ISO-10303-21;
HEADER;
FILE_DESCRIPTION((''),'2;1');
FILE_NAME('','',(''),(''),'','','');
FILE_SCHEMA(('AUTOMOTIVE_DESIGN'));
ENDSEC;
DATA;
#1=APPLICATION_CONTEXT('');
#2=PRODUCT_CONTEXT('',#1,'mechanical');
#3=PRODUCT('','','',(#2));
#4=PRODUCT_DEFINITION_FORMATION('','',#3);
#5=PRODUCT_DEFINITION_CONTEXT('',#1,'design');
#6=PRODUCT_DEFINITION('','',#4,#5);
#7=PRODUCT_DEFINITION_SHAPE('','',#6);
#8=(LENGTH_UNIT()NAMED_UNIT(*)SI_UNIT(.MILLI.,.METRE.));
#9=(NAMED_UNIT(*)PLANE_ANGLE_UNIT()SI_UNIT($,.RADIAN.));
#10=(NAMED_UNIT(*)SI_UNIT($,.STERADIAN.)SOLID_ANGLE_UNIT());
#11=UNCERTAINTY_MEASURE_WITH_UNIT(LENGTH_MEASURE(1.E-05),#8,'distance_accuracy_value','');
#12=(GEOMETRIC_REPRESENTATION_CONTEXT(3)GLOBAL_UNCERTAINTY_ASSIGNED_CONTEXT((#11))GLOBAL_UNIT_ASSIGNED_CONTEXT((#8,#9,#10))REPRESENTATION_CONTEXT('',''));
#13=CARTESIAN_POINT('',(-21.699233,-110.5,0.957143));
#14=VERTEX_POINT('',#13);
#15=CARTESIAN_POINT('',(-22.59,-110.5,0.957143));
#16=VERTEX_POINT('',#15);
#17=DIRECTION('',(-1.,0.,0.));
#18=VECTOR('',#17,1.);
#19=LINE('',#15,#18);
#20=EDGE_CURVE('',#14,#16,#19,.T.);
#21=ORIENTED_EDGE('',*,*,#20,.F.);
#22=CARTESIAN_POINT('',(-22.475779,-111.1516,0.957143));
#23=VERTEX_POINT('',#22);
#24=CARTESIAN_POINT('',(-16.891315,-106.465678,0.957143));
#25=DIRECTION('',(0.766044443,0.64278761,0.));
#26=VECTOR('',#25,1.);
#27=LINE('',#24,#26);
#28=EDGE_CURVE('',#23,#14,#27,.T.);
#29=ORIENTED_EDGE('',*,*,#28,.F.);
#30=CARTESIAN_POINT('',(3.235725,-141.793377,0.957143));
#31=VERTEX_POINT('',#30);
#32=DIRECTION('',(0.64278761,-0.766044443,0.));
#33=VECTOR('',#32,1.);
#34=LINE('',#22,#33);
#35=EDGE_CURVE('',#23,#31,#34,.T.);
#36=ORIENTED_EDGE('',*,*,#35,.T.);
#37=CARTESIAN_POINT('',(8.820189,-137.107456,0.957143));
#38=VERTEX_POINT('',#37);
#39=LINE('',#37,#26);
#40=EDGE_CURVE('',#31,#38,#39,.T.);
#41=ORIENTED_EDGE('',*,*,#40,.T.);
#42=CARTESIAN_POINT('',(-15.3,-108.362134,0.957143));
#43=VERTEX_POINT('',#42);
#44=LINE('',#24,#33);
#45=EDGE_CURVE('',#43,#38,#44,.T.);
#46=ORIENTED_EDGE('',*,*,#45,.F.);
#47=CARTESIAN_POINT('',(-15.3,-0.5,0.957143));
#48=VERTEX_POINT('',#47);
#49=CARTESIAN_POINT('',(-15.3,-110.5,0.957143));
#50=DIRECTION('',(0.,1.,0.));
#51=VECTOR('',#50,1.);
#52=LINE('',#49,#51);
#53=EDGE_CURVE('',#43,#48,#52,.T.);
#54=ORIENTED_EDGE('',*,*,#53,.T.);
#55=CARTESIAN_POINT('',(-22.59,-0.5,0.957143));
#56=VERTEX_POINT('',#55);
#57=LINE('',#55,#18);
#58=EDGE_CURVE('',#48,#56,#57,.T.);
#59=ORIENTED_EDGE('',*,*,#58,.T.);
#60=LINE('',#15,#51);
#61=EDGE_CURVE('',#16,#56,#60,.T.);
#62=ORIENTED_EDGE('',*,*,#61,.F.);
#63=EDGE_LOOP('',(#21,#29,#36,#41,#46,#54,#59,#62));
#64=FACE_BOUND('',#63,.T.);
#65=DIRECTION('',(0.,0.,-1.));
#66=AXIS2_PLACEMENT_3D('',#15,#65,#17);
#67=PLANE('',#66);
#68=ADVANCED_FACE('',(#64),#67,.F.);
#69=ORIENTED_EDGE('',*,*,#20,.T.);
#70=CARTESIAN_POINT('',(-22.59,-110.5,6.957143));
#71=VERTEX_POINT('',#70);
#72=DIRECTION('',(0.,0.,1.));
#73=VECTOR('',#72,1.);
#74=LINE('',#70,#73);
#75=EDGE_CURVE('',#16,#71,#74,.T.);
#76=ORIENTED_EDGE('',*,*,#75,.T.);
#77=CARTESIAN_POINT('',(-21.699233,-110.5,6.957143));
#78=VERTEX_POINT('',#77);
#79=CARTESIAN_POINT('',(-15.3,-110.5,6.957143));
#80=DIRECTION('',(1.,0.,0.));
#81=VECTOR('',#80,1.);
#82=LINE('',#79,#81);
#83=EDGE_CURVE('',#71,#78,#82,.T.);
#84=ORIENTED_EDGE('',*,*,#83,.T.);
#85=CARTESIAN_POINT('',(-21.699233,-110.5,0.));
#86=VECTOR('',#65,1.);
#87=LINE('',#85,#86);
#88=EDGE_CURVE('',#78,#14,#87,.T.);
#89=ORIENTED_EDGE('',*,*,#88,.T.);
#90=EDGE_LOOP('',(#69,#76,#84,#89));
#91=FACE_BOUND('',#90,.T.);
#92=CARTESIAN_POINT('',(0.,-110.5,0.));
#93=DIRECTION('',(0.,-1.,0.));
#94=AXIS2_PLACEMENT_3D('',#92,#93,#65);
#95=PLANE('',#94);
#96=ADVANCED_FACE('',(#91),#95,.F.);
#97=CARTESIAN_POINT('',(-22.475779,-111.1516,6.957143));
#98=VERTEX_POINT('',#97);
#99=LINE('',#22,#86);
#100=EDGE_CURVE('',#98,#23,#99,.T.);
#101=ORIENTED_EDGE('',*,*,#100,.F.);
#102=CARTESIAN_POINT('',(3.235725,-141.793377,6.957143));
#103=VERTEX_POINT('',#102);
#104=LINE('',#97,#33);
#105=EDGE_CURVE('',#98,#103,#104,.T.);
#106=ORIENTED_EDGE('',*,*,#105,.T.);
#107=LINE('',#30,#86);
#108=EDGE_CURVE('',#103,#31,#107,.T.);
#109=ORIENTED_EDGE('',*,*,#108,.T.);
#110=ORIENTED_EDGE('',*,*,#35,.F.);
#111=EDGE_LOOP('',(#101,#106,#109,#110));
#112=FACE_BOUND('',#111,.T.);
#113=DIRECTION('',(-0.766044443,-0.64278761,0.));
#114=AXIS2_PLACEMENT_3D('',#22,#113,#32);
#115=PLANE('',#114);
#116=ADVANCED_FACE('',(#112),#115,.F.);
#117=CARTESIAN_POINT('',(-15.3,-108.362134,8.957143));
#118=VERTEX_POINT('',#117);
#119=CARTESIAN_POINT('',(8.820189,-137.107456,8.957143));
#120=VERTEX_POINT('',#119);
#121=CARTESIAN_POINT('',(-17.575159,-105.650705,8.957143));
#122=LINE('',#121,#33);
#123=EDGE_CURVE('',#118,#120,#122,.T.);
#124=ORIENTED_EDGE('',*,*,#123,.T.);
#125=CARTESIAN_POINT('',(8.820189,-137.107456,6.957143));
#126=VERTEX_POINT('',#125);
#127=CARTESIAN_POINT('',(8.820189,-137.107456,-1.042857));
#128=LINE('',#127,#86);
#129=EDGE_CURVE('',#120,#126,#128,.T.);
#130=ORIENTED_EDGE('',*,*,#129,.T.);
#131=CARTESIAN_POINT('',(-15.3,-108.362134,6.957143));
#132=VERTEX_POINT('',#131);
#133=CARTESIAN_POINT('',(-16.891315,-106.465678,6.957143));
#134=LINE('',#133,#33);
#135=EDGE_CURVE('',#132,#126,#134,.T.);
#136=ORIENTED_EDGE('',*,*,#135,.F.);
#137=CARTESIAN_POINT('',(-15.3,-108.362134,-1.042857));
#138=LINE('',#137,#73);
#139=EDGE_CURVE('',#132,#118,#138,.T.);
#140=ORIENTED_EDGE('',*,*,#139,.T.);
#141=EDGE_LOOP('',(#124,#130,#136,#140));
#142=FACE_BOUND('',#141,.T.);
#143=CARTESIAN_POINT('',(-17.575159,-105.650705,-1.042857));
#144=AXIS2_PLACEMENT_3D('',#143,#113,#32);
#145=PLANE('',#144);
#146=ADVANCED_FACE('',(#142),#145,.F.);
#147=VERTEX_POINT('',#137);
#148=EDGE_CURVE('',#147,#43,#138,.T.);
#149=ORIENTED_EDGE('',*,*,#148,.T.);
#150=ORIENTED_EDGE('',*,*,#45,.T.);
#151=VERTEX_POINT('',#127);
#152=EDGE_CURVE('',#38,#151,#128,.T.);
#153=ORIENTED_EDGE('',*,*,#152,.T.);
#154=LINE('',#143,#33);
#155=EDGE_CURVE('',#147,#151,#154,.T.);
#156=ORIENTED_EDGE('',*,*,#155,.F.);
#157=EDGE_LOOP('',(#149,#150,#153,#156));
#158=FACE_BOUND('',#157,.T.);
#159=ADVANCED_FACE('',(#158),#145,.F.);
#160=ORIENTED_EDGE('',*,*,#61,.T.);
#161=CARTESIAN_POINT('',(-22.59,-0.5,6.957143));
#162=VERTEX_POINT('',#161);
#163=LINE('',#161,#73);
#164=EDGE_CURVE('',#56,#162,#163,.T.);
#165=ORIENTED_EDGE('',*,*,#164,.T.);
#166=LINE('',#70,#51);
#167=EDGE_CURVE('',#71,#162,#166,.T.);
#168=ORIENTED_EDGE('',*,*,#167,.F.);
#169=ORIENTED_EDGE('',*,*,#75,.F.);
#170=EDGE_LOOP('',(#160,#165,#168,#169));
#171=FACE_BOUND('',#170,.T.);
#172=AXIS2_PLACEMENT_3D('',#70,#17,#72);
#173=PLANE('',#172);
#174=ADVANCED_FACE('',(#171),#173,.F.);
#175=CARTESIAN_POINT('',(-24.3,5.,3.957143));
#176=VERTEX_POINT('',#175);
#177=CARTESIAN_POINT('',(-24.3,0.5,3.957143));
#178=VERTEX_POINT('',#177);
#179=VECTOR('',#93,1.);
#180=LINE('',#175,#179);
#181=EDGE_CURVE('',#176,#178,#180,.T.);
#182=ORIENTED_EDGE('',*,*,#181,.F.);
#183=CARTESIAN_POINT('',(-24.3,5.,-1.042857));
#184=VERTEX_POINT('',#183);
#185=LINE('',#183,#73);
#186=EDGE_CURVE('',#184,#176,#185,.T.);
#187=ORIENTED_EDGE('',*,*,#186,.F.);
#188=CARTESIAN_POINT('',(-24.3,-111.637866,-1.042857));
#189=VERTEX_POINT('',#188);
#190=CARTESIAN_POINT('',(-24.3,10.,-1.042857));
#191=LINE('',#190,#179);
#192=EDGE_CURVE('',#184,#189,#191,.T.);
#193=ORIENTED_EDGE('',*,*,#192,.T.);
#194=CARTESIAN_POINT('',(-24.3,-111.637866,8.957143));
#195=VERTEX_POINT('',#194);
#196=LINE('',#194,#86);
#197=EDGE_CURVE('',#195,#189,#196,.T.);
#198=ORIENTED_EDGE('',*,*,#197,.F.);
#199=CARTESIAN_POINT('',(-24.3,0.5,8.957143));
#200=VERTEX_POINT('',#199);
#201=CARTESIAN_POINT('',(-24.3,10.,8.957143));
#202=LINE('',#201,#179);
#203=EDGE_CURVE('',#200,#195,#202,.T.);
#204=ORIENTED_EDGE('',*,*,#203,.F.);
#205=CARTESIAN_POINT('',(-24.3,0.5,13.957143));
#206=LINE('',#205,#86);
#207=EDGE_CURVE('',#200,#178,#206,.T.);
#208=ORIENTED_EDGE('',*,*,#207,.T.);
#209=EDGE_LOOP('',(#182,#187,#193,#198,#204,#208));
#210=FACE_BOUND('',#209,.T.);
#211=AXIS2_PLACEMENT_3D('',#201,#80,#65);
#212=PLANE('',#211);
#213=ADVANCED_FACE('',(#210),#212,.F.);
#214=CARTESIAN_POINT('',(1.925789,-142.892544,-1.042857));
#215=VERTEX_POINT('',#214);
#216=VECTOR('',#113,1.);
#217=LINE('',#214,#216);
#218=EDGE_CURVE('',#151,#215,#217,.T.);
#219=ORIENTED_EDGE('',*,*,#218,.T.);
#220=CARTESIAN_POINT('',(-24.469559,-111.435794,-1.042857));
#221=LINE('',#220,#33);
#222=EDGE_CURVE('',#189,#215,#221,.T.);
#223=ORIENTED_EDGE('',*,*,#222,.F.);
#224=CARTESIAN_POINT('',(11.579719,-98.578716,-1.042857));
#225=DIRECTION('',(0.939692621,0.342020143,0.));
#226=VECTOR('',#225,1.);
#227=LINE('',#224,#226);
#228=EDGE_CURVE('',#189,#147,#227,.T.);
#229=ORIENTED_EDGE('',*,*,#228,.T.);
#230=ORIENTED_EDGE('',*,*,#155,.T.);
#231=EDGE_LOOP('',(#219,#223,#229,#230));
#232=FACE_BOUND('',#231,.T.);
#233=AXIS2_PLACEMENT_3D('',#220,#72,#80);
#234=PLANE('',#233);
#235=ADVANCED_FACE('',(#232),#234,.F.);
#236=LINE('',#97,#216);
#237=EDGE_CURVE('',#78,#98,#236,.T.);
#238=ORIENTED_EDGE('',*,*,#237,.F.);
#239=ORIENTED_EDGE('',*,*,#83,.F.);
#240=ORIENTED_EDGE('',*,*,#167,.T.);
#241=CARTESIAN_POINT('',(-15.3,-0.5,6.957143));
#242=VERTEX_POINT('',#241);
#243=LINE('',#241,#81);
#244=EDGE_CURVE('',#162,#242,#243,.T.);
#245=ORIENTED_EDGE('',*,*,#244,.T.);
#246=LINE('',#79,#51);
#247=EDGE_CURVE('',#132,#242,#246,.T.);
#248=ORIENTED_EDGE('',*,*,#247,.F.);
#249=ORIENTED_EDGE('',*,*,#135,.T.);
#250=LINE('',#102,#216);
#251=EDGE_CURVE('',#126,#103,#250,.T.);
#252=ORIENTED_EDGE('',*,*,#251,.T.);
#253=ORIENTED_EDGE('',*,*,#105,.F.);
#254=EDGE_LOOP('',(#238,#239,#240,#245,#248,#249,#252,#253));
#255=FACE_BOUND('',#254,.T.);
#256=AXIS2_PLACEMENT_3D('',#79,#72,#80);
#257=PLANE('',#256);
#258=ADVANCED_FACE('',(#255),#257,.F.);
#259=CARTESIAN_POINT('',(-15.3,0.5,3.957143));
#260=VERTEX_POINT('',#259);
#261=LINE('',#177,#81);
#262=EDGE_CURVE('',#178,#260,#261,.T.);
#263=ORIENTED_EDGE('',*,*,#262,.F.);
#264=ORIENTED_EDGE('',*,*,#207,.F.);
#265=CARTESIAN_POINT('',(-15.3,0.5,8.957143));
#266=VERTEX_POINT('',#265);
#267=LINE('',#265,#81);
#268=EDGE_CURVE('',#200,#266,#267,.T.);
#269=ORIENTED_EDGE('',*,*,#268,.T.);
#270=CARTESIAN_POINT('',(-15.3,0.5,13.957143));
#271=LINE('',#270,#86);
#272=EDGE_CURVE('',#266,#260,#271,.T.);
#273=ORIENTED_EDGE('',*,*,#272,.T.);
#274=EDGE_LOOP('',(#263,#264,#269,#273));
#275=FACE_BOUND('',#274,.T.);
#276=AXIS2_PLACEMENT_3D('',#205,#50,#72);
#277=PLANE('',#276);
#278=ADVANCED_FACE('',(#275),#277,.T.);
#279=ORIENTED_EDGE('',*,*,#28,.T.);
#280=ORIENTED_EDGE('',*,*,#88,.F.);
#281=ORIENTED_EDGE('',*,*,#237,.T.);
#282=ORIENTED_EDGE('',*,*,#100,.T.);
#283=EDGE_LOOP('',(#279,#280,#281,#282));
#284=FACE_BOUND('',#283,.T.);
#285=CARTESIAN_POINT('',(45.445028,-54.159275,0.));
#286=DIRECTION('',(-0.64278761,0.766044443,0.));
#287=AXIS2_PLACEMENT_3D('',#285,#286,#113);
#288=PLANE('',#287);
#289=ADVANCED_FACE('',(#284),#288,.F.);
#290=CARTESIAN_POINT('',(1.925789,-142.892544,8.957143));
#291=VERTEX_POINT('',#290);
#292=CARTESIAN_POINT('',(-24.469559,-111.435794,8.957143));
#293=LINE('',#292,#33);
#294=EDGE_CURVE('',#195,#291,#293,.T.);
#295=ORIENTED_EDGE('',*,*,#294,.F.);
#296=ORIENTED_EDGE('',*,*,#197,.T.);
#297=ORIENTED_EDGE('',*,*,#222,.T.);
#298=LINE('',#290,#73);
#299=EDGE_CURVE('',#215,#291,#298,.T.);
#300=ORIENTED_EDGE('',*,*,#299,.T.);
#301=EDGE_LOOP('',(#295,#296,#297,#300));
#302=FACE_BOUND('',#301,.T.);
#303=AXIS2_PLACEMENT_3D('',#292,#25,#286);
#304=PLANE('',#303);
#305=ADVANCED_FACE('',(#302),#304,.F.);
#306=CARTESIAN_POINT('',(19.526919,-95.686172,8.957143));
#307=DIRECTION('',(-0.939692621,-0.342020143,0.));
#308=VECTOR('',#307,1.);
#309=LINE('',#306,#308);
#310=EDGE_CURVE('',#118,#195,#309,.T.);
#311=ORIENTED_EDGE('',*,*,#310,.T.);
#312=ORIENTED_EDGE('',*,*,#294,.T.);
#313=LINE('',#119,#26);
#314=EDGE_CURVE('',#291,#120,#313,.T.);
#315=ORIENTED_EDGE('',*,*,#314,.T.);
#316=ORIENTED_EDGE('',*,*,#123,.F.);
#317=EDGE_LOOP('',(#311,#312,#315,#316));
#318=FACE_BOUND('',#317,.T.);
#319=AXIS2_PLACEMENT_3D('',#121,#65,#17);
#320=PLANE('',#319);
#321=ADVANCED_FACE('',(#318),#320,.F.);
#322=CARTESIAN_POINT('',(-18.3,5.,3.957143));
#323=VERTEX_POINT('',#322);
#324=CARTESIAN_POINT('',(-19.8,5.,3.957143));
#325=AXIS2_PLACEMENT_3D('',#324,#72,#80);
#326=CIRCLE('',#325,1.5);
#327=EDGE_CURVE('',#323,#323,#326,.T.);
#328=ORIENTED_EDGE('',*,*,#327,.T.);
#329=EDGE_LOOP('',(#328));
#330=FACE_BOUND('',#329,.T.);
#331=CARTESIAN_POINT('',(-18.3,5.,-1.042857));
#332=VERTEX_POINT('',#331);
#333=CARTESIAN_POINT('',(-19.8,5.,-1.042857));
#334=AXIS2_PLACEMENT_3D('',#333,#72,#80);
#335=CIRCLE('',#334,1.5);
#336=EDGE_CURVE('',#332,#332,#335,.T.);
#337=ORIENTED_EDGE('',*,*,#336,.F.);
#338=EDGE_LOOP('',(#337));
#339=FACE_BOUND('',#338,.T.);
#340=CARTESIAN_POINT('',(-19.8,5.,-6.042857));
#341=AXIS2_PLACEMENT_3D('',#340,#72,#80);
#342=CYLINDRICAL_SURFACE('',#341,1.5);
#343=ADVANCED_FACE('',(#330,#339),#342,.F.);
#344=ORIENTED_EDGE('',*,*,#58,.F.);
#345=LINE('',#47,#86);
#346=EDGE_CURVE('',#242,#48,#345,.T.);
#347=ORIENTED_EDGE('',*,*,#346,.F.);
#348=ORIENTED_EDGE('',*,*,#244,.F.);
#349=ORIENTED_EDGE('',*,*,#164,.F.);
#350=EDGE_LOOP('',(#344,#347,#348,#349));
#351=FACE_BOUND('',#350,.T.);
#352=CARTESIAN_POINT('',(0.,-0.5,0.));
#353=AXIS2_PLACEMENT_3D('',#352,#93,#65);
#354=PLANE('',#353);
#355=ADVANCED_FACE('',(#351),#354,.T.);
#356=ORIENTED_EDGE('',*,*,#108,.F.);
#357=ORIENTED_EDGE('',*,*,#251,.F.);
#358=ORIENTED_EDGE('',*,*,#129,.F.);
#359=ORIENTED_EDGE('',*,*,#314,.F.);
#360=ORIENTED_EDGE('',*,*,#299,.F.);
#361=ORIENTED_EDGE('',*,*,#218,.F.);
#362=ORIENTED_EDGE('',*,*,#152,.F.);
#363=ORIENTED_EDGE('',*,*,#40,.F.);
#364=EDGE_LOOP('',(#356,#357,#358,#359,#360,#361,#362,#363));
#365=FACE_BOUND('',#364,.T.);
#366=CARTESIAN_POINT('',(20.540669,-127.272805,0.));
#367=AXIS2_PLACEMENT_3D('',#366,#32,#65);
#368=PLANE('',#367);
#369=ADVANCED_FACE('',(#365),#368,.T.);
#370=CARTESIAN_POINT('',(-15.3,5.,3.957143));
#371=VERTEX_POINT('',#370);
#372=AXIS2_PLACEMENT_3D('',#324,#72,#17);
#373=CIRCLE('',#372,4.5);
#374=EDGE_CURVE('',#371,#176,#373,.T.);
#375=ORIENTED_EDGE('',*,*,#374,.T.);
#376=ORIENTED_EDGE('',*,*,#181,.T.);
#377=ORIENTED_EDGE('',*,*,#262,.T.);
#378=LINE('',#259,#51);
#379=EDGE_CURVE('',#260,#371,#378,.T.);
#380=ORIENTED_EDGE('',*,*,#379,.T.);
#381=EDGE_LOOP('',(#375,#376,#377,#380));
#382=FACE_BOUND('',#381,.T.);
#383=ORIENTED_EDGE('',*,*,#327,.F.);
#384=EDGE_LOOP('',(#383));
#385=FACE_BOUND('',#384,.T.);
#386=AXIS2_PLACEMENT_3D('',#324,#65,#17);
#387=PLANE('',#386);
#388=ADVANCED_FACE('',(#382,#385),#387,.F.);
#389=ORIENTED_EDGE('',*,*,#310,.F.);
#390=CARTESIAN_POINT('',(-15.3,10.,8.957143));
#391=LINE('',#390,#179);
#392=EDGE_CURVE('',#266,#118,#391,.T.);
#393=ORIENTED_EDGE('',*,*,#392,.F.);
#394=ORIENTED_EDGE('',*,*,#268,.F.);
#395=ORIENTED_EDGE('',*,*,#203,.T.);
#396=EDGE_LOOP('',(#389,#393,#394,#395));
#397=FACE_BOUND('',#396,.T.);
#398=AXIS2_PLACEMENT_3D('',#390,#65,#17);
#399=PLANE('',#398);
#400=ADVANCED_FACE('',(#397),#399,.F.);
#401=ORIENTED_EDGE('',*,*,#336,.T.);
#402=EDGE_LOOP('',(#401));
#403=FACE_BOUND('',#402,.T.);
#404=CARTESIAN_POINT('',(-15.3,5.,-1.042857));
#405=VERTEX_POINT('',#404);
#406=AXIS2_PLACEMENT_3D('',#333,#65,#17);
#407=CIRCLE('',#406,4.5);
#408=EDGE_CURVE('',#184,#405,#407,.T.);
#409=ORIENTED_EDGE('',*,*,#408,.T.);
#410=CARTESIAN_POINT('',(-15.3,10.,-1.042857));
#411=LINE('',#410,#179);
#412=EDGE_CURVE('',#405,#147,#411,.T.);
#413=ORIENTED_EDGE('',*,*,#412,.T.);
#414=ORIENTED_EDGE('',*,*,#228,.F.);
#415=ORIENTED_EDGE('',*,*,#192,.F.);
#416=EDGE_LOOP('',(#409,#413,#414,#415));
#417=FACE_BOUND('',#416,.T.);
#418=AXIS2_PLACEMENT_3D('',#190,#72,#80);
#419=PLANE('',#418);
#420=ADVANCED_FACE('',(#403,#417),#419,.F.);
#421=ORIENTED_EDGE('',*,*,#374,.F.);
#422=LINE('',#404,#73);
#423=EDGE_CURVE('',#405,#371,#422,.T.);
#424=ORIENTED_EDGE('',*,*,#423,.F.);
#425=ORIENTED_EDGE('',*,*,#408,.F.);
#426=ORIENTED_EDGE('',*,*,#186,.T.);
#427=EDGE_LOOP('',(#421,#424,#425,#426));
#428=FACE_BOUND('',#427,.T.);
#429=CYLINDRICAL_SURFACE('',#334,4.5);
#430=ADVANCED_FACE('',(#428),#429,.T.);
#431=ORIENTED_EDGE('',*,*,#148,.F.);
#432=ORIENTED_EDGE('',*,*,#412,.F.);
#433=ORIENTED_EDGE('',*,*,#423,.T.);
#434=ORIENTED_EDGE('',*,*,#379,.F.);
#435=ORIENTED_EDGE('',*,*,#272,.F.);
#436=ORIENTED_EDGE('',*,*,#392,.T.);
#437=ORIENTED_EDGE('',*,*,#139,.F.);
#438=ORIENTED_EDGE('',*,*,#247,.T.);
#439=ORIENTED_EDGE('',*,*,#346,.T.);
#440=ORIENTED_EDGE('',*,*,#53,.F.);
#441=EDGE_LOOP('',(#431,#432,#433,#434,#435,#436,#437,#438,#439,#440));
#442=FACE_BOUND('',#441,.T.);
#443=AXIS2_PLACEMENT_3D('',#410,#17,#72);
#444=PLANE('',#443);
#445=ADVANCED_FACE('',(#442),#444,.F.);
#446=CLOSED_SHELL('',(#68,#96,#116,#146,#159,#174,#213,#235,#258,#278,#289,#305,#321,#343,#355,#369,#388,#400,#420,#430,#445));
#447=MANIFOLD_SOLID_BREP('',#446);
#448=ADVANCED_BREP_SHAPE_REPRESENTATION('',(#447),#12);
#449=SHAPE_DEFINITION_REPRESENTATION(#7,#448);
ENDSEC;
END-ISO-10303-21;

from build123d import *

# Parameters (mm, degrees)
SKETCH_4_W          = 9
SKETCH_4_H          = 10
EXTRUDE_2_DEPTH     = 10
CUT_EXTRUDE_1_DEPTH = 10
SKETCH_4_2_W        = 9
SKETCH_4_2_H        = 10
CUT_EXTRUDE_START   = 10
CUT_EXTRUDE_2_DEPTH = 10
SKETCH_8_R          = 1.5
CUT_EXTRUDE_3_DEPTH = 10
SKETCH_9_W          = 7.29
SKETCH_9_H          = 6
CUT_EXTRUDE_5_DEPTH = 110
SKETCH_13_W         = 7.29
SKETCH_13_H         = 6
CUT_EXTRUDE_6_DEPTH = 40


with BuildPart() as part:
    # 草图4 → 凸台-拉伸2 (new body)
    with BuildSketch(Plane(origin=(0, 0, 0), x_dir=(1, 0, 0), z_dir=(0, 1, 0))):
        with Locations((-19.8, -3.957142857)):
            Rectangle(SKETCH_4_W, SKETCH_4_H)
    extrude(amount=EXTRUDE_2_DEPTH)

    # 草图6 → 切除-拉伸1 (cut)
    with BuildSketch(Plane.XY.offset(8.957142857)):
        with BuildLine():
            Line((-24.3, 10), (-24.3, 5))
            ThreePointArc((-24.3, 5), (-19.8, 9.5), (-15.3, 5))
            Line((-15.3, 5), (-15.3, 10))
            Line((-15.3, 10), (-24.3, 10))
        make_face()
    extrude(amount=-CUT_EXTRUDE_1_DEPTH, mode=Mode.SUBTRACT)

    # 扫描2: sweep along a path in 草图5
    with BuildLine(Plane.XY.offset(3.957142857)) as sweep_2_path:
        Line((-19.8, 0), (-19.8, -110))
        Line((-19.8, -110), (5.372988935, -140))
    # 草图4<2> → 扫描2 (sweep)
    with BuildSketch(Plane(origin=(0, 0, 0), x_dir=(1, 0, 0), z_dir=(0, 1, 0))):
        with Locations((-19.8, -3.957142857)):
            Rectangle(SKETCH_4_2_W, SKETCH_4_2_H)
    sweep(path=sweep_2_path.line, transition=Transition.RIGHT)

    # 草图7 → 切除-拉伸2 (cut)
    with BuildSketch(Plane.XY.offset(3.957142857).offset(CUT_EXTRUDE_START)):
        with BuildLine():
            Line((-24.3, 5), (-24.3, 0.5))
            Line((-24.3, 0.5), (-15.3, 0.5))
            Line((-15.3, 0.5), (-15.3, 5))
            ThreePointArc((-15.3, 5), (-19.8, 9.5), (-24.3, 5))
        make_face()
    extrude(amount=-CUT_EXTRUDE_2_DEPTH, mode=Mode.SUBTRACT)

    # 草图8 → 切除-拉伸3 (cut)
    with BuildSketch(Plane.XY.offset(3.957142857)):
        with Locations((-19.8, 5)):
            Circle(SKETCH_8_R)
    extrude(amount=-CUT_EXTRUDE_3_DEPTH, mode=Mode.SUBTRACT)

    # 草图9 → 切除-拉伸5 (cut)
    with BuildSketch(Plane(origin=(0, -0.5, 0), x_dir=(1, 0, 0), z_dir=(0, 1, 0))):
        with Locations((-18.945, -3.957142857)):
            Rectangle(SKETCH_9_W, SKETCH_9_H)
    extrude(amount=-CUT_EXTRUDE_5_DEPTH, mode=Mode.SUBTRACT)

    # 草图13 → 切除-拉伸6 (cut)
    with BuildSketch(Plane(origin=(71.15653231, -84.801053017, 0), x_dir=(0.7660444431189772, 0.6427876096865404, 0), z_dir=(0.6427876096865403, -0.7660444431189771, 0))):
        with Locations((-85.019317039, 3.957142857)):
            Rectangle(SKETCH_13_W, SKETCH_13_H)
    extrude(amount=-CUT_EXTRUDE_6_DEPTH, mode=Mode.SUBTRACT)


solid = part.part
